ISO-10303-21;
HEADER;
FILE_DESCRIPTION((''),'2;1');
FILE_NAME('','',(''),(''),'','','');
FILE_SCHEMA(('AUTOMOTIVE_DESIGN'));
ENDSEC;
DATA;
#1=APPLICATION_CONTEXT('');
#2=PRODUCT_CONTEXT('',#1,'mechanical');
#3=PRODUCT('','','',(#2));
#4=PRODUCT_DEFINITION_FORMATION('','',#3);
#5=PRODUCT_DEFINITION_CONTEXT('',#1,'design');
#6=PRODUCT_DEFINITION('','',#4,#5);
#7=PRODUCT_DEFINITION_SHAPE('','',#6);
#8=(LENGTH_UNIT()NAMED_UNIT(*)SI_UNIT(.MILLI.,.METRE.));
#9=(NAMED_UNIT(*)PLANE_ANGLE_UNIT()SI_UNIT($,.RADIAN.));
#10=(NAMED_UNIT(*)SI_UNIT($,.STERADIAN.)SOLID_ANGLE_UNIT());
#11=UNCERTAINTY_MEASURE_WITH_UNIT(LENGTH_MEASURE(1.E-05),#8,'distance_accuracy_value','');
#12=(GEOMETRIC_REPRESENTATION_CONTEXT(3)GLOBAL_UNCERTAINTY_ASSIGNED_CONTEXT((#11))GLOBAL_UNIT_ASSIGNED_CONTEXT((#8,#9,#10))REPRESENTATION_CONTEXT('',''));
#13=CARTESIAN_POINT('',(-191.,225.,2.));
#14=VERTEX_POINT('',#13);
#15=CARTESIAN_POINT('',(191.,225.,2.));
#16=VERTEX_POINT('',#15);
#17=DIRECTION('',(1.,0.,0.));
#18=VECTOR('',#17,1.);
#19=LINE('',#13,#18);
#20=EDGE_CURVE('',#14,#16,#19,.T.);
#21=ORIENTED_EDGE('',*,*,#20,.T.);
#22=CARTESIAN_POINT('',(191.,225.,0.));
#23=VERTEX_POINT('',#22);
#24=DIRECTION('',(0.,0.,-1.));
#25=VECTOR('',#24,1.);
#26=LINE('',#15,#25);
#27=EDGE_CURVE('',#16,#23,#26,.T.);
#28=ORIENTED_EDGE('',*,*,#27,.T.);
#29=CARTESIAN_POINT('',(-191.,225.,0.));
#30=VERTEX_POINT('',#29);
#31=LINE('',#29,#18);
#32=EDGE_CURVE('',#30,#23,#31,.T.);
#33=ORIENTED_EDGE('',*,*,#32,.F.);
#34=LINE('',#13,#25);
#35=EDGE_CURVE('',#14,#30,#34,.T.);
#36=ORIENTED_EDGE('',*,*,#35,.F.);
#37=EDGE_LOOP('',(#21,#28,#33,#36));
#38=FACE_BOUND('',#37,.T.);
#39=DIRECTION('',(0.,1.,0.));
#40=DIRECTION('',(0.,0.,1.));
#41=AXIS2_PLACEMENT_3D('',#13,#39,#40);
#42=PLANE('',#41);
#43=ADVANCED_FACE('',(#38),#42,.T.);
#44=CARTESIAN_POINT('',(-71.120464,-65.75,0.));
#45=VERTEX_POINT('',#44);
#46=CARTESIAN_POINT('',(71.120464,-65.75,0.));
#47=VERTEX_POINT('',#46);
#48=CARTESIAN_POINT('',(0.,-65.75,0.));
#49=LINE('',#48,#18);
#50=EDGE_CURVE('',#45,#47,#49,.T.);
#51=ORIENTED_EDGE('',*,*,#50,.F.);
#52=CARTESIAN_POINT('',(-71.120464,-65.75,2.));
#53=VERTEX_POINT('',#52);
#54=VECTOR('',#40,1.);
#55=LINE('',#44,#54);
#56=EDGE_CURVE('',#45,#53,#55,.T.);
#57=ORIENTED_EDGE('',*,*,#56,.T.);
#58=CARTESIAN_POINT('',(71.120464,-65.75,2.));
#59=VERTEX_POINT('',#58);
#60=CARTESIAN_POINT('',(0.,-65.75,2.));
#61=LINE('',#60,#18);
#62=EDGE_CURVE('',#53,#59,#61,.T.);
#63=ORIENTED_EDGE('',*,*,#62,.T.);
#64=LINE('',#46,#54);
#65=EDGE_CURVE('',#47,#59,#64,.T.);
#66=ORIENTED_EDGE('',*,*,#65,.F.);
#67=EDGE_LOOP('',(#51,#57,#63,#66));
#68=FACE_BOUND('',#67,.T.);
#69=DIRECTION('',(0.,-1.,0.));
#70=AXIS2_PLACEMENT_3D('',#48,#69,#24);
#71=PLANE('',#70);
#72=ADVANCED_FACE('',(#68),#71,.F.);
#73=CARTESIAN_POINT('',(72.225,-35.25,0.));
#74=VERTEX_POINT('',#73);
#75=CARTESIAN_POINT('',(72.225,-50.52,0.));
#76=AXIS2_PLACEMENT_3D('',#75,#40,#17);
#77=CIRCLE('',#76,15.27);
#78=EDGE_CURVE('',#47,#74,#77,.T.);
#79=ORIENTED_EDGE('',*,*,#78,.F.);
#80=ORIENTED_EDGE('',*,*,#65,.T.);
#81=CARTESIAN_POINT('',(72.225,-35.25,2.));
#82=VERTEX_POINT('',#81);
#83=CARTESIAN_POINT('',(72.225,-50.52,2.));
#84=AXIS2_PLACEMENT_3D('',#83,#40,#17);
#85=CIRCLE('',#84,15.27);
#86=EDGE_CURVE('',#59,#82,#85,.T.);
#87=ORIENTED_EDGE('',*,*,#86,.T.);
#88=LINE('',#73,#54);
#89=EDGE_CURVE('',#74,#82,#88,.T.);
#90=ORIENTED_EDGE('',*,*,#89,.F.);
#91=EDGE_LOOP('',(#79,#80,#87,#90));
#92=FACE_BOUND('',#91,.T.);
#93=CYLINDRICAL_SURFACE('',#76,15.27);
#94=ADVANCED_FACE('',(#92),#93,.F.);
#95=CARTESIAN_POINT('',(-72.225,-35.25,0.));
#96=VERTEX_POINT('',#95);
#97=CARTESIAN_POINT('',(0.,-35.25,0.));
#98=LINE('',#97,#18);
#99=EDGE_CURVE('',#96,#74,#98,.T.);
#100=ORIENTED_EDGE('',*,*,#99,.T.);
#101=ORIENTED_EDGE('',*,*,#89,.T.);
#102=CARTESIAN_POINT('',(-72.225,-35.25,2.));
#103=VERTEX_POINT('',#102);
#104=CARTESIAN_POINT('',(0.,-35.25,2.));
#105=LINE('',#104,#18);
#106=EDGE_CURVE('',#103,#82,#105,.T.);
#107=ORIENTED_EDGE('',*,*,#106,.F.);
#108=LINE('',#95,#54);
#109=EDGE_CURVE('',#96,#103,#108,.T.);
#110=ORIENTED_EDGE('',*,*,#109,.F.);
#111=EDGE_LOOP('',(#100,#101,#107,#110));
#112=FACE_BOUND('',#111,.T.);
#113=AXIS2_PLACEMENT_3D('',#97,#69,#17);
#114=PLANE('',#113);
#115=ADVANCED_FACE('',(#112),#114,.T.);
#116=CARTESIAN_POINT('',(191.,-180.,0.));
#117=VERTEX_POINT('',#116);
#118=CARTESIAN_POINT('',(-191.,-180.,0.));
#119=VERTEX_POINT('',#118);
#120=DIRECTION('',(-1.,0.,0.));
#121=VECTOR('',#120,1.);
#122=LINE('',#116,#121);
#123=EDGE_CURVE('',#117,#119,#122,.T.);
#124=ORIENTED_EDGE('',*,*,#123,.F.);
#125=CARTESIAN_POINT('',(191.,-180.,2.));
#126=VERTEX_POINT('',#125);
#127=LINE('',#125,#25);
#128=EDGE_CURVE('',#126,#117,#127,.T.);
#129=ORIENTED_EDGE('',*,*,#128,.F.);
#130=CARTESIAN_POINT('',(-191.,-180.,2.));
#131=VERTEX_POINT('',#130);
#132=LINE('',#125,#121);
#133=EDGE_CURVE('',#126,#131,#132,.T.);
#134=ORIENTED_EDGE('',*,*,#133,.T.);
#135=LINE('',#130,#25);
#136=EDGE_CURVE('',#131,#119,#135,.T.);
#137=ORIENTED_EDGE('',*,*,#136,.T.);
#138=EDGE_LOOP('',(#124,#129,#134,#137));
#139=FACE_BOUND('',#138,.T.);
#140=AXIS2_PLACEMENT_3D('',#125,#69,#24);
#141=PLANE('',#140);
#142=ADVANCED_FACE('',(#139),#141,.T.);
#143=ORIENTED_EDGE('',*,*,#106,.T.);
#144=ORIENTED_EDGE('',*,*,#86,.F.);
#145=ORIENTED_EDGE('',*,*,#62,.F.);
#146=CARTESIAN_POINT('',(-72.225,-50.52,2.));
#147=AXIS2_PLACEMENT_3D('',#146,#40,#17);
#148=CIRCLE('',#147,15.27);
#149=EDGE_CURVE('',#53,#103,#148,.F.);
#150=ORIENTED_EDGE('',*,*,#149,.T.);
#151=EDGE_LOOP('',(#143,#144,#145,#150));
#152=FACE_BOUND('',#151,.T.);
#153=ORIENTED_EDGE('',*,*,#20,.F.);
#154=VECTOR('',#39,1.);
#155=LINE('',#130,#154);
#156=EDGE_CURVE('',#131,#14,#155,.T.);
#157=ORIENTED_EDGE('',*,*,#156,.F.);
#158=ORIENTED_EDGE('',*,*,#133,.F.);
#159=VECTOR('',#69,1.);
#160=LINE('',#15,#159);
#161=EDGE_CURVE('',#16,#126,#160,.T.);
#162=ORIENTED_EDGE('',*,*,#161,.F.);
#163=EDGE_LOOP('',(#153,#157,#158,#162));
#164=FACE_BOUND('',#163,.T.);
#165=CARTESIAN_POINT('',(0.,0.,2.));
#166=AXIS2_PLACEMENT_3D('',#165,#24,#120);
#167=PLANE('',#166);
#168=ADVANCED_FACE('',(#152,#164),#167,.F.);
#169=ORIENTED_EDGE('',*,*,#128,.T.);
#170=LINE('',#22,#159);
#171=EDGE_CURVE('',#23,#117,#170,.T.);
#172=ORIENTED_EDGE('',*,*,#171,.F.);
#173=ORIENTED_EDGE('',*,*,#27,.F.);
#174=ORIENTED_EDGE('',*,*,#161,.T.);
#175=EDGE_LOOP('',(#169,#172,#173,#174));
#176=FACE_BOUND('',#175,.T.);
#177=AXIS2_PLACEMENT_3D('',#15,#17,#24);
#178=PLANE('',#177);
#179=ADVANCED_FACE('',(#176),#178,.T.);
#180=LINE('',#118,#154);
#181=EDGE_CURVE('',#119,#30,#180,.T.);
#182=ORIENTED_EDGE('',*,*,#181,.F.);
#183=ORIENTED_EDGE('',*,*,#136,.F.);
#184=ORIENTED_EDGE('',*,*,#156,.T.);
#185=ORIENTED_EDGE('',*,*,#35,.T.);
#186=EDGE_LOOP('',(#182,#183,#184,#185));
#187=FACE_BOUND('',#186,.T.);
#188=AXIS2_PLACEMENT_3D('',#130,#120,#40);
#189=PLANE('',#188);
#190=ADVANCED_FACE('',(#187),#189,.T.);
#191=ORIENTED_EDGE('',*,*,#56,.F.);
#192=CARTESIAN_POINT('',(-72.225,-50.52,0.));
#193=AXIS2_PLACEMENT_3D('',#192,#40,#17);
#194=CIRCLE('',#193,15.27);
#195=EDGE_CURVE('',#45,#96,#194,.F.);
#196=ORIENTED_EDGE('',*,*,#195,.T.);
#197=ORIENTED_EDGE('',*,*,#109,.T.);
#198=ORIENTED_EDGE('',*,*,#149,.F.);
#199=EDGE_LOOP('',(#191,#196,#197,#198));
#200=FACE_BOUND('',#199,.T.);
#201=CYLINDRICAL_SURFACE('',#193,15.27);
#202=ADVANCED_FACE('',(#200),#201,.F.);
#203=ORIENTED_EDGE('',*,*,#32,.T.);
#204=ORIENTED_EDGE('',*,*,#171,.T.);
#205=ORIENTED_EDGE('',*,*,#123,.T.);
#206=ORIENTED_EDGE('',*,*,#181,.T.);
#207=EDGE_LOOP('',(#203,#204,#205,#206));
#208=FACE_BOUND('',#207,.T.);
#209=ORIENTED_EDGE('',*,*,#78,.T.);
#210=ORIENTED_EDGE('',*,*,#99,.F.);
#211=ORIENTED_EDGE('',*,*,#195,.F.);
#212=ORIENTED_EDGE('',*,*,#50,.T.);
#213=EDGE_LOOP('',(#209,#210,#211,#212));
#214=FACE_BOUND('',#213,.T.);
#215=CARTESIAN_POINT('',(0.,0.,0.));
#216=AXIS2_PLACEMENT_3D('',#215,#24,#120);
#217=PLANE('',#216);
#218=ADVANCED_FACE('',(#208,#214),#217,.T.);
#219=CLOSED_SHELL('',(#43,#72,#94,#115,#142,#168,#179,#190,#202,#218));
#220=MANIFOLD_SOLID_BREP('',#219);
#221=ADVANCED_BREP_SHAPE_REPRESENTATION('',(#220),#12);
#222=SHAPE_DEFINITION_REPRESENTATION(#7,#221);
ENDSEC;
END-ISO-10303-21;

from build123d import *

# Parameters (mm, degrees)
SKETCH1_W           = 382
SKETCH1_H           = 405
BOSS_EXTRUDE1_DEPTH = 2
CUT_EXTRUDE2_DEPTH  = 296.144032635


with BuildPart() as part:
    # Sketch1 → Boss-Extrude1 (new body)
    with BuildSketch(Plane(origin=(0, 0, 0), x_dir=(-1, 0, 0), z_dir=(0, 0, -1))):
        with Locations((0, 22.5)):
            Rectangle(SKETCH1_W, SKETCH1_H)
    extrude(amount=-BOSS_EXTRUDE1_DEPTH)

    # Sketch4 → Cut-Extrude2 (cut, through all)
    with BuildSketch(Plane.XY.offset(2)):
        with BuildLine():
            Line((72.225, -35.25), (-72.225, -35.25))
            ThreePointArc((-72.225, -35.25), (-87.484996723, -51.072630075), (-71.120463898, -65.75))
            Line((-71.120463898, -65.75), (71.120463898, -65.75))
            ThreePointArc((71.120463898, -65.75), (87.484996723, -51.072630075), (72.225, -35.25))
        make_face()
    extrude(amount=-CUT_EXTRUDE2_DEPTH, mode=Mode.SUBTRACT)


solid = part.part
